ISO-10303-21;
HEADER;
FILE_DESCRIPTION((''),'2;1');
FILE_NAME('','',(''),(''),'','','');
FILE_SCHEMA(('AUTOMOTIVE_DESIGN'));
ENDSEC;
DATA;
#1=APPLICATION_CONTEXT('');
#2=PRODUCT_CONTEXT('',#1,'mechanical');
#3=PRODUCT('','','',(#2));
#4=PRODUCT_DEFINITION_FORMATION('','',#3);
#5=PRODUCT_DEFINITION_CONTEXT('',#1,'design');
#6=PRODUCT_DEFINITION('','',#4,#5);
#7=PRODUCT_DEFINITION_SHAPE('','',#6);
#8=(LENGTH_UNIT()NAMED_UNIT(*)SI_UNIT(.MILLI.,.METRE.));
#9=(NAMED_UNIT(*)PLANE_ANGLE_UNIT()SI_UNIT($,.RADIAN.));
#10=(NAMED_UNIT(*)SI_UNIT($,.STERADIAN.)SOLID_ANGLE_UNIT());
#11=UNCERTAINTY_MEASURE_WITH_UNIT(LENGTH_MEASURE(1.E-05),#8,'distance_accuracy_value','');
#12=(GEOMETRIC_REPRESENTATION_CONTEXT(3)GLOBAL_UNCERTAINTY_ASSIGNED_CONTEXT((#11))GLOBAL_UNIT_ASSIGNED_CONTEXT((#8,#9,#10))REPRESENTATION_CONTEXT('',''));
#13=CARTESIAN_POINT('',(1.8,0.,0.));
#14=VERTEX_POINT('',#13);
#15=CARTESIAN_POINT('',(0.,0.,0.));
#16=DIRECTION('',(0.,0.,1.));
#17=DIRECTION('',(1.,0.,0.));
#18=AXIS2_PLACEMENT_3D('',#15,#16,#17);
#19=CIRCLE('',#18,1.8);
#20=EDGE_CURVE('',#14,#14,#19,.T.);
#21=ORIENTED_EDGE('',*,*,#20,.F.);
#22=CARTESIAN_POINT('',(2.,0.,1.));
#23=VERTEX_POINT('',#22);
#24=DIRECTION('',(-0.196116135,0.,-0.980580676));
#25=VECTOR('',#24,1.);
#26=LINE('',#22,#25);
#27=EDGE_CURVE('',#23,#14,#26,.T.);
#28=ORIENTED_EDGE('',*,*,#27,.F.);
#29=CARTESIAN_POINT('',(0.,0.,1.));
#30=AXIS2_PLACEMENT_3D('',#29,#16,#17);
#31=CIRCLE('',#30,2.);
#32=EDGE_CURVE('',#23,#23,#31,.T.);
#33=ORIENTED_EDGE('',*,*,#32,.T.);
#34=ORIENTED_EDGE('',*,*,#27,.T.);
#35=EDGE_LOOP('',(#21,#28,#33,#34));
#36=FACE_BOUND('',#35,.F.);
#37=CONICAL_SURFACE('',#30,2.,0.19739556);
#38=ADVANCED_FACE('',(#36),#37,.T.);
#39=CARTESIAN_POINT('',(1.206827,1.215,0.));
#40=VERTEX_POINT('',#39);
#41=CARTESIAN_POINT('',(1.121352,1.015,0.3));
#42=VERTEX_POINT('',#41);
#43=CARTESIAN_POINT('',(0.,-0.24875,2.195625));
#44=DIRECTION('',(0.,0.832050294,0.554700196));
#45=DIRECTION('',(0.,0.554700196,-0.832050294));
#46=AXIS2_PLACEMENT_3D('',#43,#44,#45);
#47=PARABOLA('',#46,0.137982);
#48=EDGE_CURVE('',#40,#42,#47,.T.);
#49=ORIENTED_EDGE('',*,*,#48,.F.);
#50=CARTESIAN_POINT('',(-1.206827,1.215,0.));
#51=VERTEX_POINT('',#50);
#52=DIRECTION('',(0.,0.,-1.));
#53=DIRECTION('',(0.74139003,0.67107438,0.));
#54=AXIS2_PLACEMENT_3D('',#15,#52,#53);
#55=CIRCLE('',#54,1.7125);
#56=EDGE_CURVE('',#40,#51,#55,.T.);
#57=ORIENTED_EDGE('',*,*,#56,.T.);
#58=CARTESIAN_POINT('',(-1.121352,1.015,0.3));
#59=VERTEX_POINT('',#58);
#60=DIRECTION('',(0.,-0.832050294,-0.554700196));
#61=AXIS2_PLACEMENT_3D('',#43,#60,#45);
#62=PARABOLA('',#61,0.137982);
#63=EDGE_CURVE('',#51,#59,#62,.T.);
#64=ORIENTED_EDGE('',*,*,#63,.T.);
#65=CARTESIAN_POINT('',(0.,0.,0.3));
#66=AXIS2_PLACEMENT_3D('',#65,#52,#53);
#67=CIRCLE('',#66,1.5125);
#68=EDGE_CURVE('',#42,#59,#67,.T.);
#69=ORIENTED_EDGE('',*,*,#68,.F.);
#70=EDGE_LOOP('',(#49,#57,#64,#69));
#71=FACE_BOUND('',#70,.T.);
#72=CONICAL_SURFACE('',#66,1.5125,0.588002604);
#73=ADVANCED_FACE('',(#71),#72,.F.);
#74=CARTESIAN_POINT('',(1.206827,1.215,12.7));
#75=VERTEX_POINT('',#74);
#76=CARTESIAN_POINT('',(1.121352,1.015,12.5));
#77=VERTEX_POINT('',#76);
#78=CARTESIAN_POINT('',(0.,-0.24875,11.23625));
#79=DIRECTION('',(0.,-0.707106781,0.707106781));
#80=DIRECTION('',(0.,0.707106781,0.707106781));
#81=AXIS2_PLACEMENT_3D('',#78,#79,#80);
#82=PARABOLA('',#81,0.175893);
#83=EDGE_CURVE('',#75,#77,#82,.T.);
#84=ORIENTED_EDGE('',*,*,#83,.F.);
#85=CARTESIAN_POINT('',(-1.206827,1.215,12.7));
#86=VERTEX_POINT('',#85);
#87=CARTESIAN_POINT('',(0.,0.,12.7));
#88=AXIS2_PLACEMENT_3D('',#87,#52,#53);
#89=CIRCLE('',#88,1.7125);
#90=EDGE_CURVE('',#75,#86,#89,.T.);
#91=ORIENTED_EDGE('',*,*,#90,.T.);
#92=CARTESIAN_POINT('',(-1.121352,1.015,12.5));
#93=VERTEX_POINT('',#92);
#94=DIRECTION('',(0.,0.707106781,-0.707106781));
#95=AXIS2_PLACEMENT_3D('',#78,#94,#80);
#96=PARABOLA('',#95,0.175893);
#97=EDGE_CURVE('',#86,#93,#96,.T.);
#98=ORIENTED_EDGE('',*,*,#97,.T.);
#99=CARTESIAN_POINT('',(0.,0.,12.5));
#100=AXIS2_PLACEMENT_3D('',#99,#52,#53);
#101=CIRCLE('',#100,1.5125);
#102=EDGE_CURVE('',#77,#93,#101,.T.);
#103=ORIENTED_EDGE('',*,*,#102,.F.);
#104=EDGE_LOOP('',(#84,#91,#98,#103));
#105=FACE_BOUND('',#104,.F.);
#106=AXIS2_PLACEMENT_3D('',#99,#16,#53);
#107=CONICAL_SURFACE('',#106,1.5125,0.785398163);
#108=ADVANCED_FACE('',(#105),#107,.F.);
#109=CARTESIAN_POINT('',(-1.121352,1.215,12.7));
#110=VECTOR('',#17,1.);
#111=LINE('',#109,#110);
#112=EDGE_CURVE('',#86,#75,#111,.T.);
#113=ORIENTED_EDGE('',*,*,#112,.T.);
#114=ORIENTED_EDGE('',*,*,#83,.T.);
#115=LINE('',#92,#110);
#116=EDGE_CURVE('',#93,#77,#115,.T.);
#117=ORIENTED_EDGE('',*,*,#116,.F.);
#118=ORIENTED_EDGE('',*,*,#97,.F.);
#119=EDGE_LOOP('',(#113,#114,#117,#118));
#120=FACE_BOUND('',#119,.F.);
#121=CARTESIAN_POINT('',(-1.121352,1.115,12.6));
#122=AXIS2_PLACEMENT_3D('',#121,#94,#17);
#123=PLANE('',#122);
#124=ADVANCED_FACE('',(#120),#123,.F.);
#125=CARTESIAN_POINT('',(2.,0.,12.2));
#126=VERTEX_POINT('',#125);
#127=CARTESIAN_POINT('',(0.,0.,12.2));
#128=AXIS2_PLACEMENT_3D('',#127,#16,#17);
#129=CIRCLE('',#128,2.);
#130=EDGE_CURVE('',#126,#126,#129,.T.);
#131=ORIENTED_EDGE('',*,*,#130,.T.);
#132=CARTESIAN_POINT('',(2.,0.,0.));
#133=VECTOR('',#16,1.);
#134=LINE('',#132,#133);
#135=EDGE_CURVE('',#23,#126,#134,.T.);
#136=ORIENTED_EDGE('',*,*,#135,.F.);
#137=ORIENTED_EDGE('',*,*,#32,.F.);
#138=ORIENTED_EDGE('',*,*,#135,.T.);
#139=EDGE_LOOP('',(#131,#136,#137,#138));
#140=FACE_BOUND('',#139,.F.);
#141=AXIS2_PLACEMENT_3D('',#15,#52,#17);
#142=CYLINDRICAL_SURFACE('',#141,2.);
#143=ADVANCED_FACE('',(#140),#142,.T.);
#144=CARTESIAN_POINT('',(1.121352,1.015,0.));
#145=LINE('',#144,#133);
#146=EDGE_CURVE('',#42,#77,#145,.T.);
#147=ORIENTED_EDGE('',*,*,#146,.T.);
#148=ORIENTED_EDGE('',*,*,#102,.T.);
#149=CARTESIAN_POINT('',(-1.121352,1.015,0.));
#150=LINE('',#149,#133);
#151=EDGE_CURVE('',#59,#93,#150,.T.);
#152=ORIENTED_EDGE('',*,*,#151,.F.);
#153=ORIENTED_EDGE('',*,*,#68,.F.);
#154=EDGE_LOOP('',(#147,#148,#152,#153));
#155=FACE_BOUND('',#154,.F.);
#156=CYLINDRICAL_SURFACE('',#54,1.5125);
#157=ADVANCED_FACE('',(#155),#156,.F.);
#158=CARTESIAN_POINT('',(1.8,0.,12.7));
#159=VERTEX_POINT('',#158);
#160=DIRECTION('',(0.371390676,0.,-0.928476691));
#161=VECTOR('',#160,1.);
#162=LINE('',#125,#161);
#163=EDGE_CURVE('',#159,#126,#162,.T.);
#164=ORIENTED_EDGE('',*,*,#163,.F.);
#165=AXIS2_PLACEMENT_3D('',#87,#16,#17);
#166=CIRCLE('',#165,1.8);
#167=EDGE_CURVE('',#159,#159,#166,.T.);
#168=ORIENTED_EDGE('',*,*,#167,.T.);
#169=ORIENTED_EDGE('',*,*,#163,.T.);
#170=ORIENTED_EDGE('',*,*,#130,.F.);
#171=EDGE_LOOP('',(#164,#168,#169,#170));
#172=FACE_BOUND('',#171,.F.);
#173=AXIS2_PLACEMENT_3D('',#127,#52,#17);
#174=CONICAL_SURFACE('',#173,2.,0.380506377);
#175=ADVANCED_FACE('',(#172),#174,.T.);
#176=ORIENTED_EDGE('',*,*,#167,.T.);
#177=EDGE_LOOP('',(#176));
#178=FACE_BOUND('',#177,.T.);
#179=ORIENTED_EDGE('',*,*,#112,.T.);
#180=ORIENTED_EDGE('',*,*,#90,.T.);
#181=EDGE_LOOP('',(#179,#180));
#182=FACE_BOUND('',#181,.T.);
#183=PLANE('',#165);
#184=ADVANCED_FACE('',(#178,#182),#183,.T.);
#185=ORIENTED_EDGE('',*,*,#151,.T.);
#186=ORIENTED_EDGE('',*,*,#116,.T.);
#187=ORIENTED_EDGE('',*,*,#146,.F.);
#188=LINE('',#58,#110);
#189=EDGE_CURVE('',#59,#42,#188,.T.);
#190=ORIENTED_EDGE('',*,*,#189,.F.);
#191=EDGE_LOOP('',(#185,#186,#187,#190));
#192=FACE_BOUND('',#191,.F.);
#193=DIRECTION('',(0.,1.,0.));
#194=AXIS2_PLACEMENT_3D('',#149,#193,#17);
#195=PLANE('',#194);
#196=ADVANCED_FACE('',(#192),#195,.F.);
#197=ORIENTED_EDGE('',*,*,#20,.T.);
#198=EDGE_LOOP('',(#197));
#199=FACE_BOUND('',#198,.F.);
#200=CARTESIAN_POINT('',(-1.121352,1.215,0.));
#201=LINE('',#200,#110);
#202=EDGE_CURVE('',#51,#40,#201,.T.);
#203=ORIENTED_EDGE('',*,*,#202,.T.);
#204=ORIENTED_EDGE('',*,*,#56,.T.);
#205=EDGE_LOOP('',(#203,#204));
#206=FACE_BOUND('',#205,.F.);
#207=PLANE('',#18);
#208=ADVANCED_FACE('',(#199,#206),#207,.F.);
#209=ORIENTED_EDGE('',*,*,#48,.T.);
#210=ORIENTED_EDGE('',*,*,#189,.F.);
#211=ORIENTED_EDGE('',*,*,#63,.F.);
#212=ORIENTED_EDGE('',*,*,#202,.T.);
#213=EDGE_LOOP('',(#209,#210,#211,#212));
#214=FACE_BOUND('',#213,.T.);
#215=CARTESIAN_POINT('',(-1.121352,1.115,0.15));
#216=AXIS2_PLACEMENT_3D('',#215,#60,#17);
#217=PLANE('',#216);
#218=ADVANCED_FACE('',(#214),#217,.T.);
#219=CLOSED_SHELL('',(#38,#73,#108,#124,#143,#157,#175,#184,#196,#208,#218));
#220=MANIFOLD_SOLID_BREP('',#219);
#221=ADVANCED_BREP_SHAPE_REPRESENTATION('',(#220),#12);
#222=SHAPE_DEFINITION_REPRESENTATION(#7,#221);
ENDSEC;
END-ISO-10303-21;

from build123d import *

# Parameters (mm, degrees)
F0_R     = 2
F1_DEPTH = 12.7
F2_SIZE2 = 0.2
F2_SIZE  = 1
F3_SIZE2 = 0.5
F3_SIZE  = 0.2
F4_SIZE  = 0.2
F5_SIZE2 = 0.3
F5_SIZE  = 0.2


with BuildPart() as f1:
    # F0 (on Top) → F1 (new body)
    with BuildSketch(Plane.XY):
        Circle(F0_R)
        with BuildLine():
            ThreePointArc((1.1213524201, 1.015), (1.411329477, 0.5438799108), (1.5125, 0))
            ThreePointArc((1.5125, 0), (-0.5438799108, -1.411329477), (-1.1213524201, 1.015))
            ThreePointArc((-1.1213524201, 1.015), (0, 1.5125), (1.1213524201, 1.015))
        make_face(mode=Mode.SUBTRACT)
        with BuildLine():
            Line((0, 1.015), (1.1213524201, 1.015))
            ThreePointArc((1.1213524201, 1.015), (0, 1.5125), (-1.1213524201, 1.015))
            Line((-1.1213524201, 1.015), (0, 1.015))
        make_face()
    extrude(amount=F1_DEPTH)

    # F2
    f2_edges = [f1.edges().sort_by_distance(p)[0] for p in [
        (-2, 0, 0),
    ]]
    f2_side = f1.faces().sort_by_distance((-2, 0, 6.35))[0]
    chamfer(f2_edges, length=F2_SIZE, length2=F2_SIZE2, reference=f2_side)

    # F3
    f3_edges = [f1.edges().sort_by_distance(p)[0] for p in [
        (-2, 0, 12.7),
    ]]
    f3_side = f1.faces().sort_by_distance((-1.943431, 0, 12.7))[0]
    chamfer(f3_edges, length=F3_SIZE, length2=F3_SIZE2, reference=f3_side)

    # F4
    f4_edges = [f1.edges().sort_by_distance(p)[0] for p in [
        (0, 1.015, 12.7),
        (0, -1.5125, 12.7),
    ]]
    chamfer(f4_edges, length=F4_SIZE)

    # F5
    f5_edges = [f1.edges().sort_by_distance(p)[0] for p in [
        (0, -1.5125, 0),
        (0, 1.015, 0),
    ]]
    f5_side = f1.faces().sort_by_distance((-1.749088, 0, 0))[0]
    chamfer(f5_edges, length=F5_SIZE, length2=F5_SIZE2, reference=f5_side)


solid = f1.part
